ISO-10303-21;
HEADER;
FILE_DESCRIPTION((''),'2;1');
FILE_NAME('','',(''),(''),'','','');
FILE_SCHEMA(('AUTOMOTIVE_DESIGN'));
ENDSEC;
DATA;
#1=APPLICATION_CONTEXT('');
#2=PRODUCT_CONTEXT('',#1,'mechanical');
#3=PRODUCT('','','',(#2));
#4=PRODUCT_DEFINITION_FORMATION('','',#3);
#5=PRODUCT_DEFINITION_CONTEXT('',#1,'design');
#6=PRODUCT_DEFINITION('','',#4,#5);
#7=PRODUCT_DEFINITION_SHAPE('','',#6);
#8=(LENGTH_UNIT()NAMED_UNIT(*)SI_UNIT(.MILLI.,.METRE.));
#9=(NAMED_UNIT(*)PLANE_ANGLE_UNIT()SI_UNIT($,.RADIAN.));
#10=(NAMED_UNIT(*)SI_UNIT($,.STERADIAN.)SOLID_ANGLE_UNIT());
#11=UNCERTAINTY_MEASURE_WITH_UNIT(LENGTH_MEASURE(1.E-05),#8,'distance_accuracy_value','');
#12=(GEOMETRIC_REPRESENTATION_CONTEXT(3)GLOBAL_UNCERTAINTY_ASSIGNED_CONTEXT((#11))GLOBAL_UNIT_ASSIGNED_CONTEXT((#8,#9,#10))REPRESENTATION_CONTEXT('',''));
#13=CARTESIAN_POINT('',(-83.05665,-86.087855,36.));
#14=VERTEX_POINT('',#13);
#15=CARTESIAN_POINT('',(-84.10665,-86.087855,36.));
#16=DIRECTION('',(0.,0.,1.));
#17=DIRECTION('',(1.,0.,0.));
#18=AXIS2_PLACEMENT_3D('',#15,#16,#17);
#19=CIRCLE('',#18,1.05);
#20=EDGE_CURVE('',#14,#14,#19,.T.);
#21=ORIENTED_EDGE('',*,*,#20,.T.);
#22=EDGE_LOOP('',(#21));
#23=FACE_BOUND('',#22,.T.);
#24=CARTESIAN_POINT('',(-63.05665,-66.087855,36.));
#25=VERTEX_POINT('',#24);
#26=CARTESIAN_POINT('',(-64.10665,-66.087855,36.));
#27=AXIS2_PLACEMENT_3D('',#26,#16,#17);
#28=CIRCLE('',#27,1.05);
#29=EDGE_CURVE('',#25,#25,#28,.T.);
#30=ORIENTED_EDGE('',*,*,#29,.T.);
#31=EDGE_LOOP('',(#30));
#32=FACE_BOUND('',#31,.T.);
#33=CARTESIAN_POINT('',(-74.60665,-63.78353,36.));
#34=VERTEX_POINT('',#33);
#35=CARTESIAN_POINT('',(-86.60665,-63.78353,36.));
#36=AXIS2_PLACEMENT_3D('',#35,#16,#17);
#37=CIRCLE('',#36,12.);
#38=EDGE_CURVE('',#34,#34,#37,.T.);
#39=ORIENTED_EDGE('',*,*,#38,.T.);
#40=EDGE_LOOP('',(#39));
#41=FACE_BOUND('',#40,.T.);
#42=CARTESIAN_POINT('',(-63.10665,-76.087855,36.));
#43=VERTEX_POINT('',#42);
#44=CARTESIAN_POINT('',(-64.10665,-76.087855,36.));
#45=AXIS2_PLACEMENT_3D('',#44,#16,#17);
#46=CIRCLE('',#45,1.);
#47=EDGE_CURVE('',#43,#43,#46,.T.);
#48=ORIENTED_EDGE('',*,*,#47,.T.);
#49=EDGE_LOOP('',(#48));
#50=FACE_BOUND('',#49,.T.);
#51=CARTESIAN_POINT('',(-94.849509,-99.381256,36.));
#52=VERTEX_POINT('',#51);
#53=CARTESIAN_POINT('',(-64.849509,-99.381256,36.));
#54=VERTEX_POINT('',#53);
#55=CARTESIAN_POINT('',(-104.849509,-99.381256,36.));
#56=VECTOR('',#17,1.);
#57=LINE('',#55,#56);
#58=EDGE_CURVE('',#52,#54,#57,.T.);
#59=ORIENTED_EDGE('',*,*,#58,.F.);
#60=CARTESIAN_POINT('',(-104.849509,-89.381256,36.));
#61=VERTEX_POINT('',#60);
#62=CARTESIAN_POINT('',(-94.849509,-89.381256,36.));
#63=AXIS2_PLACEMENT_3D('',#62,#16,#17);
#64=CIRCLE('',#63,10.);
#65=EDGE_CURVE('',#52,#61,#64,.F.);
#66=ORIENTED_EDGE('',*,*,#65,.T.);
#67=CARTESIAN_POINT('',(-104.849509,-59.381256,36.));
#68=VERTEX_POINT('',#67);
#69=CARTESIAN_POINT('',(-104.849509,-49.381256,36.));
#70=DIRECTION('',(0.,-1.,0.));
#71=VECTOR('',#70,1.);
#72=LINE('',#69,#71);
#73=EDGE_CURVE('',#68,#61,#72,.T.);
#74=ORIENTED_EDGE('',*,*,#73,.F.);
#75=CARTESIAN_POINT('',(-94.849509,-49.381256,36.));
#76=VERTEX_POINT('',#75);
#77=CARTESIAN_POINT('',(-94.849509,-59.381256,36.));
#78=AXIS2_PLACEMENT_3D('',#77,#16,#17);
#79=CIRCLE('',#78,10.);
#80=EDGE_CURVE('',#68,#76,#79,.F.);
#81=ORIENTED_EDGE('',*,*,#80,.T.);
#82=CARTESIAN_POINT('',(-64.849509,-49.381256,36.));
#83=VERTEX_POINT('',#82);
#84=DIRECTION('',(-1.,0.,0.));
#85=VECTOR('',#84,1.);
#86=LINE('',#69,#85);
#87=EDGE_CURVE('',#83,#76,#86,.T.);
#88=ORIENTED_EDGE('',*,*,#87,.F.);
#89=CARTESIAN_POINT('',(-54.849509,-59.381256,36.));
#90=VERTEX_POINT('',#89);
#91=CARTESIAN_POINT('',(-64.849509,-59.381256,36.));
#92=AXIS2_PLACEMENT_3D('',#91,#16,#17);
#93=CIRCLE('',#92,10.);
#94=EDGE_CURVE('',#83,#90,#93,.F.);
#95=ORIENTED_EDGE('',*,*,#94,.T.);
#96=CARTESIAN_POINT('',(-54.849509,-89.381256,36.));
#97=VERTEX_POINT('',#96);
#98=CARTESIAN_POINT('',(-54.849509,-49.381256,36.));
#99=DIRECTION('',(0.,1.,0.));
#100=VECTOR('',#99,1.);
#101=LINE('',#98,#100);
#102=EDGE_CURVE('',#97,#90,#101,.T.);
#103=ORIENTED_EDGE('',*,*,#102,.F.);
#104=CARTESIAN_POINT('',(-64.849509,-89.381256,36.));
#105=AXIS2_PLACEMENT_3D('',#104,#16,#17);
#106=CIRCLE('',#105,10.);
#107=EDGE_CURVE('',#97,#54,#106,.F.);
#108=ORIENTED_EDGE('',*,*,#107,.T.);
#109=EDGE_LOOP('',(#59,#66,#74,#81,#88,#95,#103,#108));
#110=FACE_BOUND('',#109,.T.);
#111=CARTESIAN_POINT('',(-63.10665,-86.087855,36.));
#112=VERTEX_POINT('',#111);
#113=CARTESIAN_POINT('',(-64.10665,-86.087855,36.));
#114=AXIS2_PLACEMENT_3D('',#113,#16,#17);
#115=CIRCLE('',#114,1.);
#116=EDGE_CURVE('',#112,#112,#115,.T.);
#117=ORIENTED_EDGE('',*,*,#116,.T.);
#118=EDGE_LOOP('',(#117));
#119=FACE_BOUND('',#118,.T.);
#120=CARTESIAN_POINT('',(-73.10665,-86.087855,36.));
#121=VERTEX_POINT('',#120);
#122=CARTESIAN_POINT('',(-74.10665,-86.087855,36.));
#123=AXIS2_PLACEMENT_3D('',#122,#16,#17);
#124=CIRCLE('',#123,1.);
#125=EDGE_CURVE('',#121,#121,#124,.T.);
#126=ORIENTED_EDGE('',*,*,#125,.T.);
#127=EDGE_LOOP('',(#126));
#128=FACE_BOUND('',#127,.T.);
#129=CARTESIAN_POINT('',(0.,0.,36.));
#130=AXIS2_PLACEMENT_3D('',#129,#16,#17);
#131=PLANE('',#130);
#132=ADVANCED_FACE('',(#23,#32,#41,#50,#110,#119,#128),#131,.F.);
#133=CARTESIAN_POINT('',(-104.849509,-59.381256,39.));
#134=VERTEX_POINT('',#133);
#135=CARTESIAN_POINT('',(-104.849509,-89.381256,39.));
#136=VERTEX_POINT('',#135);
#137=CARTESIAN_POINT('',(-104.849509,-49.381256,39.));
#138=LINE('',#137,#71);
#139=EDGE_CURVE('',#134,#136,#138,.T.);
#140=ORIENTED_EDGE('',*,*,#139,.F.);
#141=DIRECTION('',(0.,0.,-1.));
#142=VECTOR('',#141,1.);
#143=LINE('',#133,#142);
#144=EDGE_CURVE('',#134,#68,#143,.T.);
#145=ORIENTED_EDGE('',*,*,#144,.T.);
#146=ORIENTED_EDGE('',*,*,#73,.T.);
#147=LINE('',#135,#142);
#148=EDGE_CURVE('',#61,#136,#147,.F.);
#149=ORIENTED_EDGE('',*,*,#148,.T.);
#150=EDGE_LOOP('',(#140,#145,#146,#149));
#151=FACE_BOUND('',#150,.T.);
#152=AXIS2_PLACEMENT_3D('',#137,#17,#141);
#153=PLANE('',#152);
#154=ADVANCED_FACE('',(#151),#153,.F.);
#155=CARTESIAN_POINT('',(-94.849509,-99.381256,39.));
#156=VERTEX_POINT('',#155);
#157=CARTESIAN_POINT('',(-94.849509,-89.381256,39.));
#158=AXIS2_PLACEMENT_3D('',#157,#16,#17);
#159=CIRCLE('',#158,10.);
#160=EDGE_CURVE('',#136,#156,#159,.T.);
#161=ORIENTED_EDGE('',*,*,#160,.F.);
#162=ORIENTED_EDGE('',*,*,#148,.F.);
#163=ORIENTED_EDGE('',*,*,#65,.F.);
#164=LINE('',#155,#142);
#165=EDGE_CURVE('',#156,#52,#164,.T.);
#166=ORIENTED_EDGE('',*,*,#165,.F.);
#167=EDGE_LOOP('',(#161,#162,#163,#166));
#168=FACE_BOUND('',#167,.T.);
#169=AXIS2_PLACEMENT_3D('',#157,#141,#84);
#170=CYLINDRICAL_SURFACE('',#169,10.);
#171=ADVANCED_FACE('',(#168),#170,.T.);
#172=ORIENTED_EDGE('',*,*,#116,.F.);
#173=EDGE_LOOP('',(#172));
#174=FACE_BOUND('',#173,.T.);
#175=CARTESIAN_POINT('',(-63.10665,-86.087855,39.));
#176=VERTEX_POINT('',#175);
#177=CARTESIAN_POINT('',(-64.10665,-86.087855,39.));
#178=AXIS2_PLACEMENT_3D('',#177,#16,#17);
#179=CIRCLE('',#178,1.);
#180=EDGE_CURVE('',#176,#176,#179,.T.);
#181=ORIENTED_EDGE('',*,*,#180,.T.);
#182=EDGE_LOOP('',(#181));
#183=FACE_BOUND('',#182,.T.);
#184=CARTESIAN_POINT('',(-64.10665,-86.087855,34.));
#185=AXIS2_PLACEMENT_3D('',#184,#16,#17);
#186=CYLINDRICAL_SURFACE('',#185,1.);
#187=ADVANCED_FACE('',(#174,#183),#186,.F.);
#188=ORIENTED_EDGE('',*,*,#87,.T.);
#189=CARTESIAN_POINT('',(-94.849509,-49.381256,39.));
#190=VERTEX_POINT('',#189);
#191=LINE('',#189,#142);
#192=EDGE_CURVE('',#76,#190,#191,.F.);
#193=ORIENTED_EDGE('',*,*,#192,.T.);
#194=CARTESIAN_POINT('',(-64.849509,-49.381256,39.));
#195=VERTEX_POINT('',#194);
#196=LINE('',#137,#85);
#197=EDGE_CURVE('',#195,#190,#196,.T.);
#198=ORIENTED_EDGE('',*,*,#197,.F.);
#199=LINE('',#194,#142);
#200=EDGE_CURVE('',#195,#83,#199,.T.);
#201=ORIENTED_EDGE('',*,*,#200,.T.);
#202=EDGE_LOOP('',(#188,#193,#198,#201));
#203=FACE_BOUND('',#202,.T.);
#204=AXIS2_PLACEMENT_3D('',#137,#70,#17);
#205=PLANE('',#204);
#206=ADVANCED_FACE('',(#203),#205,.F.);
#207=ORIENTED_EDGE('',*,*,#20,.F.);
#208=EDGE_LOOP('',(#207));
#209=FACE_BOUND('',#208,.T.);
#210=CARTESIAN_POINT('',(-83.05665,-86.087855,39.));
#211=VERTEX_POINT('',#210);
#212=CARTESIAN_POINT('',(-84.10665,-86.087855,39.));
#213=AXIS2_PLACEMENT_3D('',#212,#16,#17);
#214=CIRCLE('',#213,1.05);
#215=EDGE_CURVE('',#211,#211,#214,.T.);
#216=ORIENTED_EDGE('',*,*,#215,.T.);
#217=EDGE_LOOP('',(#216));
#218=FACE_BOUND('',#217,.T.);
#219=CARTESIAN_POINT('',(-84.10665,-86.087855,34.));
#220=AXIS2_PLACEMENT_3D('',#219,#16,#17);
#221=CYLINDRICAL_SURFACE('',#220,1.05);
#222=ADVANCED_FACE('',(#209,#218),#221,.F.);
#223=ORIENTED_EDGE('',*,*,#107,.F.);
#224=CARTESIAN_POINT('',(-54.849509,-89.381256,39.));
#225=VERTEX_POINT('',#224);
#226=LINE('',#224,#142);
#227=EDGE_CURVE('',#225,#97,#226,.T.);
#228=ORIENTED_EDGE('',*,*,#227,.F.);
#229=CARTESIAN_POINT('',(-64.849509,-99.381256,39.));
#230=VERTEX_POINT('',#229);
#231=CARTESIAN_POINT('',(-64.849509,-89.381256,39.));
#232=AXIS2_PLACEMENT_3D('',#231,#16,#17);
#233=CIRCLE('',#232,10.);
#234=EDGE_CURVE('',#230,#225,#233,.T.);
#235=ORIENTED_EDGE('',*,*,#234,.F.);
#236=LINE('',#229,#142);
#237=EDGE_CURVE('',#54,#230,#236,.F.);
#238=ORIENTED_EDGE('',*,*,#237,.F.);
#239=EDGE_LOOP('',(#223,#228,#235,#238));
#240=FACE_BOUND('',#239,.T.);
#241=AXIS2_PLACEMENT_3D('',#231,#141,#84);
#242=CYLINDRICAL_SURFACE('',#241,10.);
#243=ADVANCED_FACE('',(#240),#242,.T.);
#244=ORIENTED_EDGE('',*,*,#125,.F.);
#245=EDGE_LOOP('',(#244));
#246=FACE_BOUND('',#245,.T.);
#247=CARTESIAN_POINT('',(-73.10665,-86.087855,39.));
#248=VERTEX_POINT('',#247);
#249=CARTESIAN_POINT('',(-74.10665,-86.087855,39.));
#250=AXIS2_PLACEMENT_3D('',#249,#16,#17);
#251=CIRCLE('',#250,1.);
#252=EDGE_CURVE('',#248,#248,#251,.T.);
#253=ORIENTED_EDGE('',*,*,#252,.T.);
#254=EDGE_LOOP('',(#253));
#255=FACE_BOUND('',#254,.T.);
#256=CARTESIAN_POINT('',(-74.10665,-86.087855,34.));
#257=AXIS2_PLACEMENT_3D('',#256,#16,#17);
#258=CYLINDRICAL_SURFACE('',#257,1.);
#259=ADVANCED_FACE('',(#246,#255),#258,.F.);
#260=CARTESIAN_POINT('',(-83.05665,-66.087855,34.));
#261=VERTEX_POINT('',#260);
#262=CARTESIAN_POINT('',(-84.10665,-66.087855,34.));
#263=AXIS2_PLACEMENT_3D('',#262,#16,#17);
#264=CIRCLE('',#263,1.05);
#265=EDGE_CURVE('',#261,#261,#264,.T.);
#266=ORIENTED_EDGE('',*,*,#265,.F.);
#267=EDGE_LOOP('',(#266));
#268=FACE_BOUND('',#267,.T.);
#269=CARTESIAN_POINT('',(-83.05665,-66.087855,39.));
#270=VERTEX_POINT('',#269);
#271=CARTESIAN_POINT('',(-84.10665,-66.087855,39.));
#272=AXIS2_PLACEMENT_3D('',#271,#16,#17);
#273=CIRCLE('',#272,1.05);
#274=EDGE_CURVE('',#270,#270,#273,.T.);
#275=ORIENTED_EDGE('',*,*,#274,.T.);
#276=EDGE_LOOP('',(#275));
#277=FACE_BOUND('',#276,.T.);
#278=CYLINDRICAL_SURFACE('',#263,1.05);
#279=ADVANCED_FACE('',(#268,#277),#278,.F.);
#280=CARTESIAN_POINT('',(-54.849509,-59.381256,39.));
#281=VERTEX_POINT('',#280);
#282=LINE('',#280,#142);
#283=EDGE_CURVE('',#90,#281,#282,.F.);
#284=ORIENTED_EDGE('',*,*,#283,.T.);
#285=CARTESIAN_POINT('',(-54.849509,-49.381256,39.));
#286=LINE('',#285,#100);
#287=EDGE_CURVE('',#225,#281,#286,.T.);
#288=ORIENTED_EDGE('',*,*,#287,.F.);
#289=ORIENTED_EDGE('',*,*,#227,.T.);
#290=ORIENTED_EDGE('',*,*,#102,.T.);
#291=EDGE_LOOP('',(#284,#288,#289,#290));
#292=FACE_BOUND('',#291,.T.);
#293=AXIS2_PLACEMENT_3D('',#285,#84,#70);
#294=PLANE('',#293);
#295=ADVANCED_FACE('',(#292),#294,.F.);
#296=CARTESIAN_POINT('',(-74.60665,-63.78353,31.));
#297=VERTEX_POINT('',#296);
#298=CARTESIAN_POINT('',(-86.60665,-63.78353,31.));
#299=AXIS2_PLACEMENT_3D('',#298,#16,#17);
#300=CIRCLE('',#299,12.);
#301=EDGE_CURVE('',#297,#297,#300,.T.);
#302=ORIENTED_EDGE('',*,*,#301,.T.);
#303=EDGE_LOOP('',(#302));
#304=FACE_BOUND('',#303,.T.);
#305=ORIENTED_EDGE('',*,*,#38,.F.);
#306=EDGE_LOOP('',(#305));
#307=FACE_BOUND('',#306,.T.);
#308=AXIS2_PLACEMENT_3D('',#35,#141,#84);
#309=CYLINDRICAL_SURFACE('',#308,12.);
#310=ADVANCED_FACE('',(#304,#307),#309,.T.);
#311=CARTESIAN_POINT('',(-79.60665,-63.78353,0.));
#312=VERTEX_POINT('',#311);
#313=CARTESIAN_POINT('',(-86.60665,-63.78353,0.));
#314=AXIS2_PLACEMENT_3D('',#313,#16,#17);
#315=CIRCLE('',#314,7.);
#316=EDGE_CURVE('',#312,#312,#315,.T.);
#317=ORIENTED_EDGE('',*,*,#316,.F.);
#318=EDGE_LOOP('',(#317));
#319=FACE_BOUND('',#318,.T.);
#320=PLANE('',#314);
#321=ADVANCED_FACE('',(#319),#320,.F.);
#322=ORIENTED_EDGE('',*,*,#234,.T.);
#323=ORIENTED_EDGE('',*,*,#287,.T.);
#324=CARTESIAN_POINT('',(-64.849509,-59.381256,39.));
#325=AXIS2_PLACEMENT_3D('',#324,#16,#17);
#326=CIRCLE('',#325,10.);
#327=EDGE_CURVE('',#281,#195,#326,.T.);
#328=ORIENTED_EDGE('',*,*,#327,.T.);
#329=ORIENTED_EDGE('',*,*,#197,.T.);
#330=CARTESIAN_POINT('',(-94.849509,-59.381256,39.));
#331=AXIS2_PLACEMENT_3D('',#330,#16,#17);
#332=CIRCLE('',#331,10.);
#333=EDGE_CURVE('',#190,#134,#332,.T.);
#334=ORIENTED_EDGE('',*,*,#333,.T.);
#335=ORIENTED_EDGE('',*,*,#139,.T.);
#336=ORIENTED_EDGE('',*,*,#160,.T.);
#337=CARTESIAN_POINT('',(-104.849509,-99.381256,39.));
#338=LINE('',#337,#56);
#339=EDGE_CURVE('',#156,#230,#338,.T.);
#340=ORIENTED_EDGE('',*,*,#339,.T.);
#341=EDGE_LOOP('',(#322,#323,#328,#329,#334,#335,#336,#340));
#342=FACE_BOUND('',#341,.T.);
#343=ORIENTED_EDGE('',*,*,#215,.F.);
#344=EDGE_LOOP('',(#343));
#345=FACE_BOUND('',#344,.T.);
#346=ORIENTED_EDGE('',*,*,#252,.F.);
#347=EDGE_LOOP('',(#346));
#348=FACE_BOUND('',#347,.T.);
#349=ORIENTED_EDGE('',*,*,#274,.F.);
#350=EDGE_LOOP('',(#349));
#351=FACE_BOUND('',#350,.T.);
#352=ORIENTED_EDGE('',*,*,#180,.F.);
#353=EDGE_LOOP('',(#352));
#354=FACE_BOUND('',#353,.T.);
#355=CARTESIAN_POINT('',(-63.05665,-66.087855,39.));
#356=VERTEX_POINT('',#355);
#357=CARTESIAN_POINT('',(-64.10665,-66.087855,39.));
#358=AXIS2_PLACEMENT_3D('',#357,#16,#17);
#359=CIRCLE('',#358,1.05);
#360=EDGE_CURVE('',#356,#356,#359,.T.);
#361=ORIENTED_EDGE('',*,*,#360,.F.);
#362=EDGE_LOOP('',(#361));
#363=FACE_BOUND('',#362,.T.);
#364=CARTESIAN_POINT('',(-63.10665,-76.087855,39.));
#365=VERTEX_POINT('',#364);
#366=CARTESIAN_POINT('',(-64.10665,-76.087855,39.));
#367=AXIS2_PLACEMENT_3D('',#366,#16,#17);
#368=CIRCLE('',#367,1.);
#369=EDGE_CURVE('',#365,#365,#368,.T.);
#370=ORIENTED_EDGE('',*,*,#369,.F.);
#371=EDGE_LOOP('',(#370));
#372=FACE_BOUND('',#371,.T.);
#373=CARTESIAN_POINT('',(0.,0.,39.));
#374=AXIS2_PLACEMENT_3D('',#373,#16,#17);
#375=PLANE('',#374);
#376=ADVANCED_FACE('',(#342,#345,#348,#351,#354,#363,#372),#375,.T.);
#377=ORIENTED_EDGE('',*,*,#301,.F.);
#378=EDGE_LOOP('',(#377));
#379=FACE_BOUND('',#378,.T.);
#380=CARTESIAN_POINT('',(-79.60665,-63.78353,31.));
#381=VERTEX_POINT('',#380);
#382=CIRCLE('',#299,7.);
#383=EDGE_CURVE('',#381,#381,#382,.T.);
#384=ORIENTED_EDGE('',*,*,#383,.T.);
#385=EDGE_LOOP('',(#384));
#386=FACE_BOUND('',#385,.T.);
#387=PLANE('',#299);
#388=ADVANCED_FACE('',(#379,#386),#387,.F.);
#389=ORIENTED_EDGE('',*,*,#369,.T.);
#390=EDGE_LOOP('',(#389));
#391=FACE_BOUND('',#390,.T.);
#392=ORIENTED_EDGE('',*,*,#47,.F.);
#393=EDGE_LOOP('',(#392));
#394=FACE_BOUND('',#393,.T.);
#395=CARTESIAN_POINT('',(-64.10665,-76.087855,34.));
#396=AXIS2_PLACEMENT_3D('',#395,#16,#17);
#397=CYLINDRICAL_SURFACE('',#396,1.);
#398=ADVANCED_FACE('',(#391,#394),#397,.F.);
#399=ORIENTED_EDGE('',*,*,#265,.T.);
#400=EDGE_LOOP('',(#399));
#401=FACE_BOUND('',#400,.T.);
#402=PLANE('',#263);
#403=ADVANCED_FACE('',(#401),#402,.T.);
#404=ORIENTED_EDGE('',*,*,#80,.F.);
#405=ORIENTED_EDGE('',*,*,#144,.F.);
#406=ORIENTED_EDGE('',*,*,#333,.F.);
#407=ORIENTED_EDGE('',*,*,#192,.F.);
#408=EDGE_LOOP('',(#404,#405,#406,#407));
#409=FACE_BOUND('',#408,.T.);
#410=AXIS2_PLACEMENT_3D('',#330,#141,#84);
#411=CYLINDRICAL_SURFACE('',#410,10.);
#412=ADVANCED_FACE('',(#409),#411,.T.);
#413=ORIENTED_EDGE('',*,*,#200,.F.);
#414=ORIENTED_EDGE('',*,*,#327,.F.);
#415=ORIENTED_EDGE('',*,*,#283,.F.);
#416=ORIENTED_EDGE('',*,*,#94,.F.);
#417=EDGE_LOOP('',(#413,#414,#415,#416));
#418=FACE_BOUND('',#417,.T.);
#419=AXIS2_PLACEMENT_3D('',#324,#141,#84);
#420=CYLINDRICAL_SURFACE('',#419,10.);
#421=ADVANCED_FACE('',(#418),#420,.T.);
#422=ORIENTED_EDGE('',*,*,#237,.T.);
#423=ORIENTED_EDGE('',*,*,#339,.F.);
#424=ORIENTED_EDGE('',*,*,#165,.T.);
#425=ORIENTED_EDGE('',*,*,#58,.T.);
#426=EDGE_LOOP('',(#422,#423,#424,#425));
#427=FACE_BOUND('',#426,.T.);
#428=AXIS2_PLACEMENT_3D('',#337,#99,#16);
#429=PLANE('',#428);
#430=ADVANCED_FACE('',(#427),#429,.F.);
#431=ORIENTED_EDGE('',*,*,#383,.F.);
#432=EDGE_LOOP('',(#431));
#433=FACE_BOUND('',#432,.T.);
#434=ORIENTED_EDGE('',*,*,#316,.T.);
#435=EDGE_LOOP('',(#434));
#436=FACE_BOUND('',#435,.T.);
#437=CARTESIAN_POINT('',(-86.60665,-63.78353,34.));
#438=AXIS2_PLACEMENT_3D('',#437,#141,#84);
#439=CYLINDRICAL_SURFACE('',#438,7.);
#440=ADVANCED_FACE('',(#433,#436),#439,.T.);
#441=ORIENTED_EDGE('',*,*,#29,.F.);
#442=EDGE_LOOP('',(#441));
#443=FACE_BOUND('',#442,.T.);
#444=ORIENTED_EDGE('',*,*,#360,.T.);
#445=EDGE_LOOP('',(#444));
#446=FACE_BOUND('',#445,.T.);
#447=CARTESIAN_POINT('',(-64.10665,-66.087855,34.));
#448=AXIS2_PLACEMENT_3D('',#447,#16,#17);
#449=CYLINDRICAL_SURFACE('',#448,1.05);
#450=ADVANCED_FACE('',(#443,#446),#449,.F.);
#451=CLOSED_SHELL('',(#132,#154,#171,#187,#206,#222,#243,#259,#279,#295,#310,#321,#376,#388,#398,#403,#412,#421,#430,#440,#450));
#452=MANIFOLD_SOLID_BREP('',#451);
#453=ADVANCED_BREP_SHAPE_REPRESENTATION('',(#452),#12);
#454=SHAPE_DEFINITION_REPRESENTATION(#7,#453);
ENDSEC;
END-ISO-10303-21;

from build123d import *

# Parameters (mm, degrees)
SKETCH_1_R           = 7
EXTRUDE_1_DEPTH      = 34
EXTRUDE_2_DEPTH      = 2
EXTRUDE_2_DEPTH_BACK = 3
SKETCH_2_R           = 12
SKETCH_3_W           = 50
SKETCH_3_H           = 50
EXTRUDE_4_DEPTH      = 3
SKETCH_5_R           = 1.05
SKETCH_5_R_2         = 1
CUT_EXTRUDE_1_DEPTH  = 5
FILLET_1_R           = 10


with BuildPart() as part:
    # 草图1 → 凸台-拉伸1 (new body)
    with BuildSketch(Plane.XY):
        with Locations((-86.606649797, -63.783530386)):
            Circle(SKETCH_1_R)
    extrude(amount=EXTRUDE_1_DEPTH)

    # 草图2 → 凸台-拉伸2 (add, two sides: drawn at the far end of the back side and taken through both)
    with BuildSketch(Plane.XY.offset(34).offset(-EXTRUDE_2_DEPTH_BACK)):
        with Locations((-86.606649797, -63.783530386)):
            Circle(SKETCH_2_R)
    extrude(amount=EXTRUDE_2_DEPTH + EXTRUDE_2_DEPTH_BACK)

    # 草图3 → 凸台-拉伸4 (add)
    with BuildSketch(Plane.XY.offset(36)):
        with Locations((-79.849508923, -74.381256309)):
            Rectangle(SKETCH_3_W, SKETCH_3_H)
    extrude(amount=EXTRUDE_4_DEPTH)

    # 草图5 → 切除-拉伸1 (cut)
    with BuildSketch(Plane.XY.offset(39)):
        with Locations((-84.106649797, -86.087855448)):
            Circle(SKETCH_5_R)
        with Locations((-74.106649797, -86.087855448)):
            Circle(SKETCH_5_R_2)
        with Locations((-64.106649797, -86.087855448)):
            Circle(SKETCH_5_R_2)
        with Locations((-64.106649797, -76.087855448)):
            Circle(SKETCH_5_R_2)
        with Locations((-64.106649797, -66.087855448)):
            Circle(SKETCH_5_R)
        with Locations((-84.106649797, -66.087855448)):
            Circle(SKETCH_5_R)
    extrude(amount=-CUT_EXTRUDE_1_DEPTH, mode=Mode.SUBTRACT)

    # 圆角1
    fillet_1_edges = [part.edges().sort_by_distance(p)[0] for p in [
        (-104.849508923, -49.381256309, 37.5),
        (-104.849508923, -99.381256309, 37.5),
        (-54.849508923, -99.381256309, 37.5),
        (-54.849508923, -49.381256309, 37.5),
    ]]
    fillet(fillet_1_edges, radius=FILLET_1_R)


solid = part.part
